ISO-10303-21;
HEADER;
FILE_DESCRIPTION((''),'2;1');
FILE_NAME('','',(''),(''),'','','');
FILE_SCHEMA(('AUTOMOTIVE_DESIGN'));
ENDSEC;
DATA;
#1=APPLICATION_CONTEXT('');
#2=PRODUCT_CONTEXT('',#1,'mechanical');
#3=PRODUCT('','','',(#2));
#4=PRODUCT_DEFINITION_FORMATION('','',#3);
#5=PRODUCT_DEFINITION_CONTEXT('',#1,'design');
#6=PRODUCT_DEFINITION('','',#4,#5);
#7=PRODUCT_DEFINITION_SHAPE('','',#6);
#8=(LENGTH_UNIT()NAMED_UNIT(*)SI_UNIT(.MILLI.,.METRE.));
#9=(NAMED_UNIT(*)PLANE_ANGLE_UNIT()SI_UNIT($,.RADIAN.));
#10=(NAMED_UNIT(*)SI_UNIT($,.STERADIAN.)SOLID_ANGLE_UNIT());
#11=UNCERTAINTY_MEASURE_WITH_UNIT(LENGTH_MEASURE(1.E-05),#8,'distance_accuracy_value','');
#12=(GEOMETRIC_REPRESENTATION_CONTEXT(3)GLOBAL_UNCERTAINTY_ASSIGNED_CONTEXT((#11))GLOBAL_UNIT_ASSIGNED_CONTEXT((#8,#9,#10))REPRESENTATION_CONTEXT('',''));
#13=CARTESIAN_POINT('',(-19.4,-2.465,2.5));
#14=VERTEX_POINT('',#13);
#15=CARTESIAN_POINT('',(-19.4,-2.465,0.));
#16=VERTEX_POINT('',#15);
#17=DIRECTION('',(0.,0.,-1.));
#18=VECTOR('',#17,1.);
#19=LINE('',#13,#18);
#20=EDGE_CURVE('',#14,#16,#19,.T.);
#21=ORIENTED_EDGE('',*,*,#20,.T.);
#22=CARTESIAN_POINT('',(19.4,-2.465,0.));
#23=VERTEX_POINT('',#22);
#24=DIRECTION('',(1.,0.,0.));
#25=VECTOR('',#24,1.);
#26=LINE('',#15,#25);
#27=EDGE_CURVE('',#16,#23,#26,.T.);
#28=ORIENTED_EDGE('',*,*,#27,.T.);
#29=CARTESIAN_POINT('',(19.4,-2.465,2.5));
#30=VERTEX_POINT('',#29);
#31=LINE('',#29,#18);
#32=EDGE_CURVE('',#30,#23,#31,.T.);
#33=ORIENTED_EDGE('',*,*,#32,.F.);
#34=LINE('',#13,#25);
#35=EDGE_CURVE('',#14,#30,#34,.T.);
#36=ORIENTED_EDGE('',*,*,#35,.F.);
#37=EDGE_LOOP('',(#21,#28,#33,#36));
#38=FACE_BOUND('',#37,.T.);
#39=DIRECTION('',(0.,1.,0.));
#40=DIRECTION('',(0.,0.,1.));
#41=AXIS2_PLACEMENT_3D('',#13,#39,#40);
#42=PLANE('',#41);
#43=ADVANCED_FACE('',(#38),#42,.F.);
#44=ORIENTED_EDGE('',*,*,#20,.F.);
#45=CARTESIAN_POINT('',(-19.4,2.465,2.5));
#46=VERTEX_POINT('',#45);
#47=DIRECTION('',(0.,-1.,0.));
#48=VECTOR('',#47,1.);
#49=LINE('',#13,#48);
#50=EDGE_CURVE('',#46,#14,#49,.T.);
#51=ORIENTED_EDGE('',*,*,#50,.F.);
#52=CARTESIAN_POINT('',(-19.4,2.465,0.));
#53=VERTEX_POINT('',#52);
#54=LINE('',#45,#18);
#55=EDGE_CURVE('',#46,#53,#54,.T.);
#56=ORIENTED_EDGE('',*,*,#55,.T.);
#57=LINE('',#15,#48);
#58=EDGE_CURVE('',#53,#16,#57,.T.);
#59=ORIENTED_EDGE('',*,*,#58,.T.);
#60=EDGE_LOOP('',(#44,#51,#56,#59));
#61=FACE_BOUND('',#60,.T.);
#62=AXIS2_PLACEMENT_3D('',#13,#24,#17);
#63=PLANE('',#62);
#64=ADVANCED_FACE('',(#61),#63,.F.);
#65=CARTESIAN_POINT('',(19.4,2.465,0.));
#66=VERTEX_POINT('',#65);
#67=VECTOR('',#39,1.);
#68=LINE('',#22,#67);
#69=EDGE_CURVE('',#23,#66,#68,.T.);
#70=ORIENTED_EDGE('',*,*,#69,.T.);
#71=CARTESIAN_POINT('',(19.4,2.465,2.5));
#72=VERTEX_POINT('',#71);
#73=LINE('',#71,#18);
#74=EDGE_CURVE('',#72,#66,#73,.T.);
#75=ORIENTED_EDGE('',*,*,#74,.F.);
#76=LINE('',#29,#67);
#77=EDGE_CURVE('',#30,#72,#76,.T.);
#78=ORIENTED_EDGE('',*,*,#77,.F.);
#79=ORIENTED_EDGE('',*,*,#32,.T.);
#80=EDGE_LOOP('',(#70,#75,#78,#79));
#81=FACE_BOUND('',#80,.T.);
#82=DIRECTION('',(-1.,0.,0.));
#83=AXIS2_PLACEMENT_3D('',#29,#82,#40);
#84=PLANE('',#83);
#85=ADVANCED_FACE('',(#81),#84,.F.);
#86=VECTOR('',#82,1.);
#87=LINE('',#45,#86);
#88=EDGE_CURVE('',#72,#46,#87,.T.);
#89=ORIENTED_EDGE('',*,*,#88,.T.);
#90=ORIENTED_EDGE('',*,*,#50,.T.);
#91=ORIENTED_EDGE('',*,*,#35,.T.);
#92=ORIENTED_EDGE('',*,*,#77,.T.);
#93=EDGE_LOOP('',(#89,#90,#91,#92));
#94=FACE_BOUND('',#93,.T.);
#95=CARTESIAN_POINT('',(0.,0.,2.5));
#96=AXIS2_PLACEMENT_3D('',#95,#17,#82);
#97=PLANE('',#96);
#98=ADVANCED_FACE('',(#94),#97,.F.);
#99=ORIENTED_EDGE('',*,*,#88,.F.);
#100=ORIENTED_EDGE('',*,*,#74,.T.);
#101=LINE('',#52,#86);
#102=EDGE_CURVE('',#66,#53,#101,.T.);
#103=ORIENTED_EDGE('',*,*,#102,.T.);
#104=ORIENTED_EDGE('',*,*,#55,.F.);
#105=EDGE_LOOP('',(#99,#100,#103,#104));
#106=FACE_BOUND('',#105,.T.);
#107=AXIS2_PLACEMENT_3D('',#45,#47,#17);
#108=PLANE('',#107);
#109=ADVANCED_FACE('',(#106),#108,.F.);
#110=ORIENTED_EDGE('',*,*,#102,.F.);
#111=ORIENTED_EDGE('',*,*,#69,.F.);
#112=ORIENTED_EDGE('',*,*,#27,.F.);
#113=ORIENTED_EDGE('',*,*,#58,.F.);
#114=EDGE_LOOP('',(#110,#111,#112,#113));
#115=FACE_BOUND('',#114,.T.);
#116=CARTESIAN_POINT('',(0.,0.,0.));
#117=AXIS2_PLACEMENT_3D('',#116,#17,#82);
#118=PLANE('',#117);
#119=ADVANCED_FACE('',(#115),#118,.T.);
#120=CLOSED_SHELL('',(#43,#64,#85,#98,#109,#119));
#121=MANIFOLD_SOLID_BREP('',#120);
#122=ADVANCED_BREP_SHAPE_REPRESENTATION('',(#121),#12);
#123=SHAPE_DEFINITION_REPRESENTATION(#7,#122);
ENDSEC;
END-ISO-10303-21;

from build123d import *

# Parameters (mm, degrees)
SKICA1_W                = 38.8
SKICA1_H                = 4.93
P_IDAT_VYSUNUT_M1_DEPTH = 2.5


with BuildPart() as part:
    # Skica1 → Přidat vysunutím1 (new body)
    with BuildSketch(Plane.XY):
        Rectangle(SKICA1_W, SKICA1_H)
    extrude(amount=P_IDAT_VYSUNUT_M1_DEPTH)


solid = part.part
